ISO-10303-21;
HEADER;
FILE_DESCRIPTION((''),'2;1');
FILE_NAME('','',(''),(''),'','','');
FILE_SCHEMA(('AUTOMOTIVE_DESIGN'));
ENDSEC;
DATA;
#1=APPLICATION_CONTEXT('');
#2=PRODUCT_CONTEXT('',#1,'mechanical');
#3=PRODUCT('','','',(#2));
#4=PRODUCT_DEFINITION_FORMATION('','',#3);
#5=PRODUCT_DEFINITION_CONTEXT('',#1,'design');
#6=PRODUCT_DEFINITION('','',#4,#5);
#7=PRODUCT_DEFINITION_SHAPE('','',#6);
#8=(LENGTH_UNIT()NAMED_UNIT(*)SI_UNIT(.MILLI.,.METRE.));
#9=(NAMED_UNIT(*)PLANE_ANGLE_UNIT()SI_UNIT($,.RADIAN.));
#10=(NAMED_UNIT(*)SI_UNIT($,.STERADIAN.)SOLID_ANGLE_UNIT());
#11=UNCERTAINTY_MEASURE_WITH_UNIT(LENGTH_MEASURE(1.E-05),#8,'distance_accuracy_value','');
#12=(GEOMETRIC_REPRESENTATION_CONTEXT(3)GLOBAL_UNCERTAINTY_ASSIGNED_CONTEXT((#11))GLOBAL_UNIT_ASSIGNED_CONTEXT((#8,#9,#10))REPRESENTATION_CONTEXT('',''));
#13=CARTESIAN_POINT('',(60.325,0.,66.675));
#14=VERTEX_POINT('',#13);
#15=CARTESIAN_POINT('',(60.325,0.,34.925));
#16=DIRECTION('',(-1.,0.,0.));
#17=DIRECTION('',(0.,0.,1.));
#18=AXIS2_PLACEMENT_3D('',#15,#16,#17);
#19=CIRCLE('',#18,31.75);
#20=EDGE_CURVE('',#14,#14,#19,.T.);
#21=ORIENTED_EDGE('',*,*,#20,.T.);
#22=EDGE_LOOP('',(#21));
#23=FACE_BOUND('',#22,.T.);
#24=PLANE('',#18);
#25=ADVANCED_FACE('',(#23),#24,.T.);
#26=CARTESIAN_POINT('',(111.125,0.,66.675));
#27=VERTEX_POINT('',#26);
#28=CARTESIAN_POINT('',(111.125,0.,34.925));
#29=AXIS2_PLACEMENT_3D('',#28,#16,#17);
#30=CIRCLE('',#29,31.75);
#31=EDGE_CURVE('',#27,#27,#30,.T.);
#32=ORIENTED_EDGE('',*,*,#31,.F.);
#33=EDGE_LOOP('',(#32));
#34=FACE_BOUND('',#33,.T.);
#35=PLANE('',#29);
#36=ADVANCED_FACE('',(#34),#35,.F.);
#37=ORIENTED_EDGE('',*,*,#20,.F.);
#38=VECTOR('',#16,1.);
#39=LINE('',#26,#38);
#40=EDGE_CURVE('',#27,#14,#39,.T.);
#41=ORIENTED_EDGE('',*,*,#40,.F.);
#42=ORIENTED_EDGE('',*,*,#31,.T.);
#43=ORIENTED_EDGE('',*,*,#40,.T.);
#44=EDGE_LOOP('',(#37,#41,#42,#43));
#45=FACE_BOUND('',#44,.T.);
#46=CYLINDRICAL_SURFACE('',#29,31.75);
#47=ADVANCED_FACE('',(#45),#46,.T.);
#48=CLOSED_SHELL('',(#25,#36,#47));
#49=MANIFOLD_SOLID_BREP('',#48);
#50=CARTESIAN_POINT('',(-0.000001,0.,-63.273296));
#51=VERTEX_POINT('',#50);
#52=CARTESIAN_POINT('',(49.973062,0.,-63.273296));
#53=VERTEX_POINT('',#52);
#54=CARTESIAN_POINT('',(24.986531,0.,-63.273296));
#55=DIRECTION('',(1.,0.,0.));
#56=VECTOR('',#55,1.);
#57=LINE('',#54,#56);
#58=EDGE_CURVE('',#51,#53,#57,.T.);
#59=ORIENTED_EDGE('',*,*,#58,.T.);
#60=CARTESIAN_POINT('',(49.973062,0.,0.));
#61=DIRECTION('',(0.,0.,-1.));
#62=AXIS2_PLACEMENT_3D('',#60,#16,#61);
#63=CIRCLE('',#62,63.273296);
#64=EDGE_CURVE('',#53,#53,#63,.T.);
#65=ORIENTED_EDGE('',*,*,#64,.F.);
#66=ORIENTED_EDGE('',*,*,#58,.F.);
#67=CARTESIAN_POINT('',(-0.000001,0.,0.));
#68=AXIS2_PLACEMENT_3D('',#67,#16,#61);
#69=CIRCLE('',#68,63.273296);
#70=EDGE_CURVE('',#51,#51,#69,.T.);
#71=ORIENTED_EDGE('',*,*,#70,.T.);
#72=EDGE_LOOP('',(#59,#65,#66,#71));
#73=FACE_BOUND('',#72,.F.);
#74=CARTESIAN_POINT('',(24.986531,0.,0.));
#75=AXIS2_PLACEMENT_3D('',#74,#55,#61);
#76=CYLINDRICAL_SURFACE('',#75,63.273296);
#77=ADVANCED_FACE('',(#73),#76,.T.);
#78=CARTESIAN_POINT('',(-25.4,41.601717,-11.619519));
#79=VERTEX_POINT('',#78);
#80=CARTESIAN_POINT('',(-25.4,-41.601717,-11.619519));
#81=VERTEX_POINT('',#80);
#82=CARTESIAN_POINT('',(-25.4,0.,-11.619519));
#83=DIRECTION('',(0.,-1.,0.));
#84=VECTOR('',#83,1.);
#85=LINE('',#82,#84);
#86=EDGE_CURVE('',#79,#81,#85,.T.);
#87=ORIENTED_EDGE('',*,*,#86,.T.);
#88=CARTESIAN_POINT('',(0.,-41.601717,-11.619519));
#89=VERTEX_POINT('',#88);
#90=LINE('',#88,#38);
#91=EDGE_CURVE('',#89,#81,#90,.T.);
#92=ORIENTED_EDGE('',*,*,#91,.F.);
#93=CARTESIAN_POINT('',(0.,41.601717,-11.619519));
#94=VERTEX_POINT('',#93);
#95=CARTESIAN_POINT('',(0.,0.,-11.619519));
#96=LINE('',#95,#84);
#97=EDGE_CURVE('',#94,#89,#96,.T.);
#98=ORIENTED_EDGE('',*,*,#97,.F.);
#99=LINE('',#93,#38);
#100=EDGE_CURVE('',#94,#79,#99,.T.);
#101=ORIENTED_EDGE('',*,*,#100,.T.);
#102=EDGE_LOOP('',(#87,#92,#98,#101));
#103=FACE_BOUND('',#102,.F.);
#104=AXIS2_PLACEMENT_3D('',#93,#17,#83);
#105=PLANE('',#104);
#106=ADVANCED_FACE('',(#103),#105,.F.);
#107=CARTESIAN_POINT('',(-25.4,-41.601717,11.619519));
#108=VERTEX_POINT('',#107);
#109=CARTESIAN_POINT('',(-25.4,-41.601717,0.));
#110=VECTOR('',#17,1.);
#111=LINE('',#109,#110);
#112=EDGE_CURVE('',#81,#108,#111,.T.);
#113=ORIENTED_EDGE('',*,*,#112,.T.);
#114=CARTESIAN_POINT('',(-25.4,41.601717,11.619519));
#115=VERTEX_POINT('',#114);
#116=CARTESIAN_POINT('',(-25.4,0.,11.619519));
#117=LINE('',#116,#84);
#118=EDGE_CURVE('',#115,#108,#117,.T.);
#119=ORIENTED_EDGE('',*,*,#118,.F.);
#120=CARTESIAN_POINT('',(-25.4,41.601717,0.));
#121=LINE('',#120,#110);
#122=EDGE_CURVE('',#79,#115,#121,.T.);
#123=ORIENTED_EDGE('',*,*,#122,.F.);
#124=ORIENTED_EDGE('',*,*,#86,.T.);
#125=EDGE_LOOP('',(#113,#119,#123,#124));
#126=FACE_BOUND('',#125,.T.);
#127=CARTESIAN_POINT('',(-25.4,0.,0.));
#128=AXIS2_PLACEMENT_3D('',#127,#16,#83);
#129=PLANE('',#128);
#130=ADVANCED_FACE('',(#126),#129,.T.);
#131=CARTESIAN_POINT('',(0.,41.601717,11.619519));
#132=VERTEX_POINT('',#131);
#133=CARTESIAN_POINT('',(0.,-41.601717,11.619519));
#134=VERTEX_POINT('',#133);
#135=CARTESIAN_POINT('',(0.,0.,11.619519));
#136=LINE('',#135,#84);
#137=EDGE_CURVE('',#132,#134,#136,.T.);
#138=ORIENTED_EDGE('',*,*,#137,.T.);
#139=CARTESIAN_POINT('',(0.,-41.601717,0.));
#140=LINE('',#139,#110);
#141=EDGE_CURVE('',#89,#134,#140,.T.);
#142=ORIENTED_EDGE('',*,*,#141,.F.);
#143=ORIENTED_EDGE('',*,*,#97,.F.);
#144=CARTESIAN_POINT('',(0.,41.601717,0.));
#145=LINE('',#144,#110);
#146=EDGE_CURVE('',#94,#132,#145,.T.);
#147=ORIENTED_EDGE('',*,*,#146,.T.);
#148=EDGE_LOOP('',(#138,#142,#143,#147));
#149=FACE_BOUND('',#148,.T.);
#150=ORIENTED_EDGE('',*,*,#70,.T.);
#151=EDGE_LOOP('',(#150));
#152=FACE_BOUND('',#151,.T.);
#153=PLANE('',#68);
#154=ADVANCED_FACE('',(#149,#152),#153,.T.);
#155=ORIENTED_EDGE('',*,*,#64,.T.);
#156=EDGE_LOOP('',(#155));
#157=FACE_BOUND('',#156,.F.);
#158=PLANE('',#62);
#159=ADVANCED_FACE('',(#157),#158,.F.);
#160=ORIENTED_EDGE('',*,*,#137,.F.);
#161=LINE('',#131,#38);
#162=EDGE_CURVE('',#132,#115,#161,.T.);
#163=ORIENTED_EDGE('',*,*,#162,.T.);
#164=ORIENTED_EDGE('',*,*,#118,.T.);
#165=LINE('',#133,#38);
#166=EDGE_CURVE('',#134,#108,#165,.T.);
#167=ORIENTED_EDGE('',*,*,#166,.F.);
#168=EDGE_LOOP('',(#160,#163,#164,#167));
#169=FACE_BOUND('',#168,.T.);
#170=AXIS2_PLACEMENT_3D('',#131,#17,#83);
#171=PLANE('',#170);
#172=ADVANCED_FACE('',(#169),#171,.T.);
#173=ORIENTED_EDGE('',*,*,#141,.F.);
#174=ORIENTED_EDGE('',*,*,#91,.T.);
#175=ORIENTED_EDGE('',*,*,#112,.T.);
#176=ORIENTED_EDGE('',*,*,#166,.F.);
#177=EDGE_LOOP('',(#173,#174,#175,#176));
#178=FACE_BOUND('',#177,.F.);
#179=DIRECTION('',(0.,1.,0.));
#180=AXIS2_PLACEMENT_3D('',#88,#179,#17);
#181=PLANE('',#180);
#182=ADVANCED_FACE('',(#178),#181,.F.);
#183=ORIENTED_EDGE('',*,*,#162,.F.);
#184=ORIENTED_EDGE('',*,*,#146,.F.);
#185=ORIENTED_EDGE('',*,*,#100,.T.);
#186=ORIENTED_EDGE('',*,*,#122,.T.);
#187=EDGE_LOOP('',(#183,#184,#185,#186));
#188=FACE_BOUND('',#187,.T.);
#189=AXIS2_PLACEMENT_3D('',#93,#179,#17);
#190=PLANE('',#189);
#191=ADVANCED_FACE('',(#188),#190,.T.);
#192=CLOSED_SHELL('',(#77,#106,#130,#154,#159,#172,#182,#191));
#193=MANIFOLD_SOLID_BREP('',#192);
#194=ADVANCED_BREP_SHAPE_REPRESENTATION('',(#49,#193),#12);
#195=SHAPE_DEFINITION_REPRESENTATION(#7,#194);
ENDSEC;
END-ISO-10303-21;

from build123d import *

# Parameters (mm, degrees)
F2_W     = 49.973063
F2_H     = 63.273296
F4_R     = 41.479948
F5_DEPTH = 49.973063
F6_W     = 83.203434
F6_H     = 23.239038
F7_DEPTH = 25.4


with BuildPart() as f1:
    # F0 (on Front) → F1 (revolve)
    with BuildSketch(Plane.XZ):
        Polygon((60.325, 60.325), (60.325, 41.275), (60.325, 34.925), (111.125, 34.925), (111.125, 66.675), (60.325, 66.675), align=None)
    revolve(axis=Axis((85.725, 0, 34.925), (-1, 0, 0)))


with BuildPart() as f3:
    # F2 (on Front) → F3 (revolve)
    with BuildSketch(Plane.XZ):
        with Locations((24.986531, -31.636648)):
            Rectangle(F2_W, F2_H)
    revolve(axis=Axis((24.986532, 0, 0), (-1, 0, 0)))

    # F4 (on face) → F5 (join, through all)
    with BuildSketch(Plane(origin=(0, 0, 0), x_dir=(0, -1, 0), z_dir=(-1, 0, 0))):
        Circle(F4_R)
    extrude(amount=-F5_DEPTH)

    # F6 (on face) → F7 (join)
    with BuildSketch(Plane(origin=(0, 0, 0), x_dir=(0, -1, 0), z_dir=(-1, 0, 0))):
        Rectangle(F6_W, F6_H)
    extrude(amount=F7_DEPTH)


solid = Compound([f1.part, f3.part])
